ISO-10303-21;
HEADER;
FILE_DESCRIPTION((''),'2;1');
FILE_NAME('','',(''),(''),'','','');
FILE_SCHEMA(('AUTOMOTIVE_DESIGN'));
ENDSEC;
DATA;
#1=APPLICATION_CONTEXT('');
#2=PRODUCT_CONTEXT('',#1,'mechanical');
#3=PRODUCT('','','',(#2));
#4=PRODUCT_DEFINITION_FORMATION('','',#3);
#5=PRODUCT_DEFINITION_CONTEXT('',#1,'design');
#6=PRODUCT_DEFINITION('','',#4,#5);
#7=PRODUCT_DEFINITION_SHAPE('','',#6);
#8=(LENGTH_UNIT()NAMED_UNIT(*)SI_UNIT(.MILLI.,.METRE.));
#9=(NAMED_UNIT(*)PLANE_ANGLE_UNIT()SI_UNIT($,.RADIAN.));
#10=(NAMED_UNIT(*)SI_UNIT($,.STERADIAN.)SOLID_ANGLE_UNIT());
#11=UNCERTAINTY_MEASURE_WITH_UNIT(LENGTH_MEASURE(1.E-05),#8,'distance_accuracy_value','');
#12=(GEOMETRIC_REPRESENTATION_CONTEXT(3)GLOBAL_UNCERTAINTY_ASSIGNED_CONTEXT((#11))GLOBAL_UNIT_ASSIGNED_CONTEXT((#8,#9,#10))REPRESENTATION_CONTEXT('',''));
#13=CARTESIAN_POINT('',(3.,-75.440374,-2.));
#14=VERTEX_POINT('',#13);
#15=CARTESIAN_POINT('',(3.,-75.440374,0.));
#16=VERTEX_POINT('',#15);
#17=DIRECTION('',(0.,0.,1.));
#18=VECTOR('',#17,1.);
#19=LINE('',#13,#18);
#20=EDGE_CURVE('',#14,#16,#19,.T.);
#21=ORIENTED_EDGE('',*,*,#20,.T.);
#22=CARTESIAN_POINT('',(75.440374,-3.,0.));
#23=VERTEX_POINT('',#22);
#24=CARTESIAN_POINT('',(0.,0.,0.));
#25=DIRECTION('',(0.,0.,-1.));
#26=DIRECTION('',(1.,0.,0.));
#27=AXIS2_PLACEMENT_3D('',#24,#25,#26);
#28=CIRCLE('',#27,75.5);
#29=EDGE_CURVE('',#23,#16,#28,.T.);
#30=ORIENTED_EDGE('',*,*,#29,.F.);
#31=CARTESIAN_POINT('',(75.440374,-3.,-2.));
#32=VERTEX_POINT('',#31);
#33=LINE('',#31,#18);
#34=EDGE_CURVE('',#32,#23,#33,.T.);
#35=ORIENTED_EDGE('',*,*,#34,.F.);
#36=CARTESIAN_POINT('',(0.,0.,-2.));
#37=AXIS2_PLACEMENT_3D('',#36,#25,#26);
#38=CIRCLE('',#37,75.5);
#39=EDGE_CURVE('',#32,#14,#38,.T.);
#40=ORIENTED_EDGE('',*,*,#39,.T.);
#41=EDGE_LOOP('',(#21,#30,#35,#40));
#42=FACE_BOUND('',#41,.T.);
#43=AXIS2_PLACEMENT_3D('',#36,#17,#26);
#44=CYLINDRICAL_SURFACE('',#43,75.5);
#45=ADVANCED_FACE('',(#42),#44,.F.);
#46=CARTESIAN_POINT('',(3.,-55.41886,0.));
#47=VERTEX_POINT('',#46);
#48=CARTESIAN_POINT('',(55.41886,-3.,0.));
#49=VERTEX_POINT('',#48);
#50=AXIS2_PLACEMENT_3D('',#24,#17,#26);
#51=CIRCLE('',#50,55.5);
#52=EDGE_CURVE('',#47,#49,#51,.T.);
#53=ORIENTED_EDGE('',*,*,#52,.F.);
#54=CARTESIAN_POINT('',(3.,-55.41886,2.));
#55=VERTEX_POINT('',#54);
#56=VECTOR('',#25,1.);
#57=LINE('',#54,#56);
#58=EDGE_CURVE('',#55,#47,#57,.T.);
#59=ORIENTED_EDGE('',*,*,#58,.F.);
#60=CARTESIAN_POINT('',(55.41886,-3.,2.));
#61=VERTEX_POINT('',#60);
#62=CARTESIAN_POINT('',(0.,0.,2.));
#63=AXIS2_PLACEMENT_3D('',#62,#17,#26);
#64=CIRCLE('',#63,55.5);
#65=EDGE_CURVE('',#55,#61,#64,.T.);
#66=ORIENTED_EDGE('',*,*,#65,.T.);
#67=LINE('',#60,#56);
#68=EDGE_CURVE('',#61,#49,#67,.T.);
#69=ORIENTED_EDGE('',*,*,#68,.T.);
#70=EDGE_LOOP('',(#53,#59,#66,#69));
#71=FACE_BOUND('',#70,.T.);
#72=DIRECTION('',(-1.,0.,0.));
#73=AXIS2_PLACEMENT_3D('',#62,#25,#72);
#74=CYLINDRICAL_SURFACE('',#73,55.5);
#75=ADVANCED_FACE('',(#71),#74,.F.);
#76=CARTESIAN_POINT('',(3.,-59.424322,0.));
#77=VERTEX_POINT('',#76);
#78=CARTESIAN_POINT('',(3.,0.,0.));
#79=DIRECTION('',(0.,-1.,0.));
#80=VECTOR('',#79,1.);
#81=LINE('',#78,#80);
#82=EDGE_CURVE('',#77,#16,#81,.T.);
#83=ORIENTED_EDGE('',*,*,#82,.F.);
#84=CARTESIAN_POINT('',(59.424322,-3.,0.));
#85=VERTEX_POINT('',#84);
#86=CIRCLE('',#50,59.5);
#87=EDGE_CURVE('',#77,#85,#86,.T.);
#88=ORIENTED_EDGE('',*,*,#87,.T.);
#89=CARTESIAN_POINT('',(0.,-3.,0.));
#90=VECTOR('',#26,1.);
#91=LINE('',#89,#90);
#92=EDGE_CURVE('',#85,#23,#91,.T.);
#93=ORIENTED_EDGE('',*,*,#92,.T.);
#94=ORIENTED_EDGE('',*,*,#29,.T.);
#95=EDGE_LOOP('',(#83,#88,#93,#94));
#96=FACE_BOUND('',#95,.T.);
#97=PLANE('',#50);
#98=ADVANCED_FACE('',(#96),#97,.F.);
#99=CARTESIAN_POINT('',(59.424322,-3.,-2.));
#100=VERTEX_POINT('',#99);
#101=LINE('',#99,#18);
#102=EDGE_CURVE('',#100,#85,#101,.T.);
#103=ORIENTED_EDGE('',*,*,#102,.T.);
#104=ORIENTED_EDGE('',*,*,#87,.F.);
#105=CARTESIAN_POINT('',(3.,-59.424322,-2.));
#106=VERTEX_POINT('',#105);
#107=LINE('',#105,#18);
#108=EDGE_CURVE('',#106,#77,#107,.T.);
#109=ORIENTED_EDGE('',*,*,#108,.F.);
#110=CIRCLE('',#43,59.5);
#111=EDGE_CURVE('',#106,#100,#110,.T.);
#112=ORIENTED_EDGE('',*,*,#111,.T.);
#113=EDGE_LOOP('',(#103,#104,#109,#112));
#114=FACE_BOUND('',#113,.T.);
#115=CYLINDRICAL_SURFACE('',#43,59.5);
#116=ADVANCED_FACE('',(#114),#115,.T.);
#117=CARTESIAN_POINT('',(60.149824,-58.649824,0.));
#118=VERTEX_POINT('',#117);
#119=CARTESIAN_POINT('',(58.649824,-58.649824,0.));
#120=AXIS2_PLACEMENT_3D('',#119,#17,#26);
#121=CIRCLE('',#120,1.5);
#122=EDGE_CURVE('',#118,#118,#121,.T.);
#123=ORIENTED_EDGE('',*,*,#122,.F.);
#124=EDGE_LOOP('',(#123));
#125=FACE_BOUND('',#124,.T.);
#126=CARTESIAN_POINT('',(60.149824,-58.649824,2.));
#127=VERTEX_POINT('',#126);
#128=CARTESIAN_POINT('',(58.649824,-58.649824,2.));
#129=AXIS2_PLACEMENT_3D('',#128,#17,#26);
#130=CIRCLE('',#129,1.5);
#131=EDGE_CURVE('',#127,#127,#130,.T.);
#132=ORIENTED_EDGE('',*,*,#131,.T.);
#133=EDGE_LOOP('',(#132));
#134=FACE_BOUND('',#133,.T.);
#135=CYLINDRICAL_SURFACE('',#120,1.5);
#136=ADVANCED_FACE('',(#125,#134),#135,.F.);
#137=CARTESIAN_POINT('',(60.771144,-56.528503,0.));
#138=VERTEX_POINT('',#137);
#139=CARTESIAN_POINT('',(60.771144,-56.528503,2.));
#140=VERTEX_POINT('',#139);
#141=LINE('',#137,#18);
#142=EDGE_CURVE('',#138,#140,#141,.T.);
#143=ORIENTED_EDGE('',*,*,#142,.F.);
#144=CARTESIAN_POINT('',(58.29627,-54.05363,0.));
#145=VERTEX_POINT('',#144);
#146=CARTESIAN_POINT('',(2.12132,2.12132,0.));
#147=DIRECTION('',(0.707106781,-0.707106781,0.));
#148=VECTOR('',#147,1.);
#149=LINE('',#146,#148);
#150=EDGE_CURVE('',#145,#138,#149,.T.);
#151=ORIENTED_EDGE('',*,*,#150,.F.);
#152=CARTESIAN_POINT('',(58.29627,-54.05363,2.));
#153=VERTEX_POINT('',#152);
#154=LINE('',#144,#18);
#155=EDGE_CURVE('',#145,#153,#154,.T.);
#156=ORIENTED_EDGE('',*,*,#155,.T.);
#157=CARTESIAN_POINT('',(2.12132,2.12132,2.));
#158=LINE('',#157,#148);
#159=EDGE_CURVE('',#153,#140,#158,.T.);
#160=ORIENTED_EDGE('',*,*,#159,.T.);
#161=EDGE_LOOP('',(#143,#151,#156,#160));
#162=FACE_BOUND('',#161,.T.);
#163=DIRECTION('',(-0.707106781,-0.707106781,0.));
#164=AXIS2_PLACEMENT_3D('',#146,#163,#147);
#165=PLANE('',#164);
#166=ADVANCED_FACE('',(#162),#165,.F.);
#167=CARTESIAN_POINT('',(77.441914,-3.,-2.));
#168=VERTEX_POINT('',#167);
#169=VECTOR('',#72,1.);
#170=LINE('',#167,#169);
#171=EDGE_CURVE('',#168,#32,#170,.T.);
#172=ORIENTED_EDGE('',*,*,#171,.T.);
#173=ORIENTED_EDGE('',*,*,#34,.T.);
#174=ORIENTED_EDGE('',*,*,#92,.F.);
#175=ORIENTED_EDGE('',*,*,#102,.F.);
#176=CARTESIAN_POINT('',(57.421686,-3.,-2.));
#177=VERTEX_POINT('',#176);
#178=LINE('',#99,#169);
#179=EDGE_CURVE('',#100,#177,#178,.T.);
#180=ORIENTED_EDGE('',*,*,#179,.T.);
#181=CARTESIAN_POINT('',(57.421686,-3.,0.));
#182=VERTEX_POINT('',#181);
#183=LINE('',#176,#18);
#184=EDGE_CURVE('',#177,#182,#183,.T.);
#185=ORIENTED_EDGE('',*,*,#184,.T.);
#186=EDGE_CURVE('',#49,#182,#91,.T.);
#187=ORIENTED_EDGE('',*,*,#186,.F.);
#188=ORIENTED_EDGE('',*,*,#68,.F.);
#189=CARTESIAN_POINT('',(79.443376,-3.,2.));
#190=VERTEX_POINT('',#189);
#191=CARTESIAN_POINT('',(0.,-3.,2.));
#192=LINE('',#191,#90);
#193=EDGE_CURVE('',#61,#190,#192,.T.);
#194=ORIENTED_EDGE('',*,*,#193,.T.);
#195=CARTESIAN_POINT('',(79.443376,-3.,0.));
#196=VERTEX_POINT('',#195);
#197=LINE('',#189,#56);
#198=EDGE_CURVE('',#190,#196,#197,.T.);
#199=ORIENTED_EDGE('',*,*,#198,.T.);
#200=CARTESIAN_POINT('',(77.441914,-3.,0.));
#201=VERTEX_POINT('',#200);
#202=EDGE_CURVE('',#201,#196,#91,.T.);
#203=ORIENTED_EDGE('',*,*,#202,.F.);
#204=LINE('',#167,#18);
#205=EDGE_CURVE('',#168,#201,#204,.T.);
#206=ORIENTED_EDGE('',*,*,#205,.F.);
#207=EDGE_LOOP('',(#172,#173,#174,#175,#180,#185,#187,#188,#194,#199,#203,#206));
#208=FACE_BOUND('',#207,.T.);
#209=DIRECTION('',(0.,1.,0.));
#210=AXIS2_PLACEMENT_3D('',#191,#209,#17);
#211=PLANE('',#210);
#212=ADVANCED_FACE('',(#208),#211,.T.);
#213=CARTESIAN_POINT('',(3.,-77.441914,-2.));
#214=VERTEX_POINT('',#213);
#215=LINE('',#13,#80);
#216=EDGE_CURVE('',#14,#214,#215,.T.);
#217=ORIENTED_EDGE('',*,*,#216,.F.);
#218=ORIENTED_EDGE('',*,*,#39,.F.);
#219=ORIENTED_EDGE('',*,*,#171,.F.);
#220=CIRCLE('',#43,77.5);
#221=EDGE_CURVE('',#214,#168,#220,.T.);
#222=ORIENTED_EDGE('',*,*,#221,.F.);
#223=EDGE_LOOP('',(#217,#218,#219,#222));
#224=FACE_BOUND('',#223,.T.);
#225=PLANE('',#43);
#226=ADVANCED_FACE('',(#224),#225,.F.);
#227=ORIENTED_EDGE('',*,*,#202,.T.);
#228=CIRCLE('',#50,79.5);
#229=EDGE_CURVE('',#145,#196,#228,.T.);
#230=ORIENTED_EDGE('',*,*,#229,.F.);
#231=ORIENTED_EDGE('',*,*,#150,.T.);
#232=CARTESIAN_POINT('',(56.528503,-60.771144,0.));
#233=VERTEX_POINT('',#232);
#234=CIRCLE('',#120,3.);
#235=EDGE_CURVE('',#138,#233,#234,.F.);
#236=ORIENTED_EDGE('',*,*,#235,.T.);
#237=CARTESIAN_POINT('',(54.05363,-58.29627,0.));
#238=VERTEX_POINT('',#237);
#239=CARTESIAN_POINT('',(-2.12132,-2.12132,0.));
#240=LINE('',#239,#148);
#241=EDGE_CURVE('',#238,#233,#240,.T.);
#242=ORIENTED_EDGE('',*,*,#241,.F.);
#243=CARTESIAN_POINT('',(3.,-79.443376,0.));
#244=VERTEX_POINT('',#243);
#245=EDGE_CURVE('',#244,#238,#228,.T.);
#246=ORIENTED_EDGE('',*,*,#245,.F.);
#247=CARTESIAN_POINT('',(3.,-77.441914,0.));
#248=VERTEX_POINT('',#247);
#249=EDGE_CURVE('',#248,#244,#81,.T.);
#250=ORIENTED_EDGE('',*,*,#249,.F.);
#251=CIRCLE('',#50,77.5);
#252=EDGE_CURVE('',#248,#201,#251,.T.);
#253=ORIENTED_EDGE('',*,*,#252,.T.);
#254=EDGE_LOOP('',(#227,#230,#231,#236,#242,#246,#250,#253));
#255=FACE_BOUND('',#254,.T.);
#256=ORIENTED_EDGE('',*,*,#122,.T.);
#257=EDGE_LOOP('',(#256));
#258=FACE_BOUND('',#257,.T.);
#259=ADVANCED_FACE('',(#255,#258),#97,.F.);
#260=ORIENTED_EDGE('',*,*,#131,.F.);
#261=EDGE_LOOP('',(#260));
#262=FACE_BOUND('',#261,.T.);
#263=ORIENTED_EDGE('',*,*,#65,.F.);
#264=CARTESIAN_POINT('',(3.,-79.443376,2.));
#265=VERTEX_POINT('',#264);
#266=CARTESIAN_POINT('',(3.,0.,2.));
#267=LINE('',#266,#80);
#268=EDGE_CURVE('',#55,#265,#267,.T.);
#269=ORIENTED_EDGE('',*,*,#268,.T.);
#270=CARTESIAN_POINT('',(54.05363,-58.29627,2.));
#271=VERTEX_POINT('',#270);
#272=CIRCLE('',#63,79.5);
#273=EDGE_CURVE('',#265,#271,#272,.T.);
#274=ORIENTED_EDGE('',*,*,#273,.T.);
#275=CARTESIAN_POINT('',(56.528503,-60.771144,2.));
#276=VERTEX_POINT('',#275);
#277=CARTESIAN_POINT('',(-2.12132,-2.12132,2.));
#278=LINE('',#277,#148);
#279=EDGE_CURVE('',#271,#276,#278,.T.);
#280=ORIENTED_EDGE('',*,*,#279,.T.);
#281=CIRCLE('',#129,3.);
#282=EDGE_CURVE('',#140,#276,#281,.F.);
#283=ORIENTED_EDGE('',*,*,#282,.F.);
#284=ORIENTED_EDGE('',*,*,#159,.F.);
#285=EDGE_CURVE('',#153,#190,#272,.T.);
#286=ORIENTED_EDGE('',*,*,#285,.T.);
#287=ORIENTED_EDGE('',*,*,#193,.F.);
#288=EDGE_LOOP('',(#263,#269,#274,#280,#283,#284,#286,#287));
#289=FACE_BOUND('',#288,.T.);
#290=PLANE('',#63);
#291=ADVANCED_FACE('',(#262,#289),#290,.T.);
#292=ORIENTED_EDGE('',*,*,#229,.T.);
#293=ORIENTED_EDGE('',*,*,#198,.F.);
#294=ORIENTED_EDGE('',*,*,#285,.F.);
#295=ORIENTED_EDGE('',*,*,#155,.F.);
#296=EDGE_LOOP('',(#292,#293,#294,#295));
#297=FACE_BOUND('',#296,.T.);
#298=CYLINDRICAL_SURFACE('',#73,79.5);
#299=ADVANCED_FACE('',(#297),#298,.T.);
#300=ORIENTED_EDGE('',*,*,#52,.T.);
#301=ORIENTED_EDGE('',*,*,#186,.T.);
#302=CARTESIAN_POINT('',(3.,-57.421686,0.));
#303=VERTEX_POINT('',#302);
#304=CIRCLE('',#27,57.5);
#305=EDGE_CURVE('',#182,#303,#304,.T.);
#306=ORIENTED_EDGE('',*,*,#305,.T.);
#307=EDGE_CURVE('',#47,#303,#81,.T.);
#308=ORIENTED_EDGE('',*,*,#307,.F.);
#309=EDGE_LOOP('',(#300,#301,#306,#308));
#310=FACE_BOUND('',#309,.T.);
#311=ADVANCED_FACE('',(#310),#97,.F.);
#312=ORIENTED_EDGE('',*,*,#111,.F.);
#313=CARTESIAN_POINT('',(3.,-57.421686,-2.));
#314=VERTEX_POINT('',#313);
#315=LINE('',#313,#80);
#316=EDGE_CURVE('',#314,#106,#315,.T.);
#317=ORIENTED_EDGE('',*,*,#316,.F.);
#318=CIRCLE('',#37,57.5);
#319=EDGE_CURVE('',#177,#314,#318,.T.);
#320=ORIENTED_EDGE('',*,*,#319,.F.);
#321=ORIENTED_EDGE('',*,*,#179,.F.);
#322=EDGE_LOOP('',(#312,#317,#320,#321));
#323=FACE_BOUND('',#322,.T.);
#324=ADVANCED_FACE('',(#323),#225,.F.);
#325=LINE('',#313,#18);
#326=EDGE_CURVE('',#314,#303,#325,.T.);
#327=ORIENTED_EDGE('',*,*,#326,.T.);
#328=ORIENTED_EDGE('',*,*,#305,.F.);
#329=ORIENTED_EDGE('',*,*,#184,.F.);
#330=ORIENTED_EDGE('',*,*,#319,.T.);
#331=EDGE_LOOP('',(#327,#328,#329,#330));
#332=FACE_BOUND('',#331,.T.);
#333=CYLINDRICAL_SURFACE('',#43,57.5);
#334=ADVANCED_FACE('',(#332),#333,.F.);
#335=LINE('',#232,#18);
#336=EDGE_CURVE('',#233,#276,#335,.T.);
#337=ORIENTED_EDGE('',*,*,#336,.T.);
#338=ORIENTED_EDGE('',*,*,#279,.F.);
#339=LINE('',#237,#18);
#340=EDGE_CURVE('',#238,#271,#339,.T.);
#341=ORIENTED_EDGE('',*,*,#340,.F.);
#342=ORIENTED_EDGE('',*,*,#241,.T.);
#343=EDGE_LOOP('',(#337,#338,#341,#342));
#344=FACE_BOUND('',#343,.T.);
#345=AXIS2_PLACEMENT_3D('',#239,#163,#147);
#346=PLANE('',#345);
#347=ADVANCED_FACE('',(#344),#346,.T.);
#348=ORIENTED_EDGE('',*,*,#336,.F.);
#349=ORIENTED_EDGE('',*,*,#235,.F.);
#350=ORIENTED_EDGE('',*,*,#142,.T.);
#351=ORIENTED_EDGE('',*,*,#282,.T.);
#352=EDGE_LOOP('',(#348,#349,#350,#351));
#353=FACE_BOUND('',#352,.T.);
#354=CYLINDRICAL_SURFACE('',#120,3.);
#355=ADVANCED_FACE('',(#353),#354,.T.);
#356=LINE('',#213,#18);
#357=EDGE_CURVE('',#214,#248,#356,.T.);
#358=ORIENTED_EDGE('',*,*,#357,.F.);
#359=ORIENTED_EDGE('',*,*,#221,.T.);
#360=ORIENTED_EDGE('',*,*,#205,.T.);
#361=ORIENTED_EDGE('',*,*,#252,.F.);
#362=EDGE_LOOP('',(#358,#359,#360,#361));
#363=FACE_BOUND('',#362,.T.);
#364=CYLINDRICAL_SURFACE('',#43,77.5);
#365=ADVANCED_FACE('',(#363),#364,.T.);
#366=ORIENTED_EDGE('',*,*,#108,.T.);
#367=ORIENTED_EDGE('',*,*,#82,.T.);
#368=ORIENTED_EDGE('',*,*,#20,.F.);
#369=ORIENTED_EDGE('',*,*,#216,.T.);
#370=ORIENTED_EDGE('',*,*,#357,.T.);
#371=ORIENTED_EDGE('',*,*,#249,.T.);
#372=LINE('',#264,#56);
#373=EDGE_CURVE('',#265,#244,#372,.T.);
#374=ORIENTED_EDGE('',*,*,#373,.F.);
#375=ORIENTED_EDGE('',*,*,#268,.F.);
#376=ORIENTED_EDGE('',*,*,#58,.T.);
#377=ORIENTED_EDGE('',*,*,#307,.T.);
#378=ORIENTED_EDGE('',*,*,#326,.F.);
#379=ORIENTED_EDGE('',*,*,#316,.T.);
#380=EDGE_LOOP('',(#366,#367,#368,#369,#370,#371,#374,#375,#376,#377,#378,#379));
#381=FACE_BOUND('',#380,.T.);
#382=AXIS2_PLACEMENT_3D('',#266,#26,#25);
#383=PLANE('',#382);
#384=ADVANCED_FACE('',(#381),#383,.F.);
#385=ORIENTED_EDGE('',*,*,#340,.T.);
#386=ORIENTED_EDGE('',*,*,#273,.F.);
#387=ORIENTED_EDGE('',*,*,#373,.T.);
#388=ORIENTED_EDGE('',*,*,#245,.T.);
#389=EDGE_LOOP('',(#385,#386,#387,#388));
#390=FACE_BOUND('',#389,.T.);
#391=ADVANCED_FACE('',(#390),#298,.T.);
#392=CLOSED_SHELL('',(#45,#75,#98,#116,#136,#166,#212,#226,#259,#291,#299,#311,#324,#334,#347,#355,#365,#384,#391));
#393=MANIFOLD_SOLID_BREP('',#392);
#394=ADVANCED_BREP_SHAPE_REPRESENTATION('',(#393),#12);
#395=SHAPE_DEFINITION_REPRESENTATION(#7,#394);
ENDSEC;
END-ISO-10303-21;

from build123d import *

# Parameters (mm, degrees)
EXTRUDE_1_DEPTH = 2
EXTRUDE_2_DEPTH = 2
EXTRUDE_START   = -2
SKETCH_4_R      = 1.5
EXTRUDE_3_DEPTH = 2


with BuildPart() as part:
    # 草图2 → 凸台-拉伸1 (new body)
    with BuildSketch(Plane.XY):
        with BuildLine():
            Line((3, -77.441913716), (3, -79.443376061))
            ThreePointArc((3, -79.443376061), (56.214989104, -56.214989104), (79.443376061, -3))
            Line((79.443376061, -3), (77.441913716, -3))
            Line((77.441913716, -3), (55.418859606, -3))
            ThreePointArc((55.418859606, -3), (39.244426356, -39.244426356), (3, -55.418859606))
            Line((3, -55.418859606), (3, -77.441913716))
        make_face()
    extrude(amount=EXTRUDE_1_DEPTH)

    # 草图3 → 凸台-拉伸2 (add)
    with BuildSketch(Plane.XY):
        with BuildLine():
            Line((3, -57.421685799), (3, -59.42432162))
            ThreePointArc((3, -59.42432162), (42.072853481, -42.072853481), (59.42432162, -3))
            Line((59.42432162, -3), (57.421685799, -3))
            ThreePointArc((57.421685799, -3), (40.658639918, -40.658639918), (3, -57.421685799))
        make_face()
        with BuildLine():
            Line((77.441913716, -3), (75.440373806, -3))
            ThreePointArc((75.440373806, -3), (53.38656198, -53.38656198), (3, -75.440373806))
            Line((3, -75.440373806), (3, -77.441913716))
            ThreePointArc((3, -77.441913716), (54.800775542, -54.800775542), (77.441913716, -3))
        make_face()
    extrude(amount=-EXTRUDE_2_DEPTH)

    # 草图4 → 凸台-拉伸3 (add)
    with BuildSketch(Plane.XY.offset(2).offset(EXTRUDE_START)):
        with BuildLine():
            ThreePointArc((58.296270277, -54.05362959), (56.214989104, -56.214989104), (54.05362959, -58.296270277))
            Line((54.05362959, -58.296270277), (56.528503324, -60.771144011))
            ThreePointArc((56.528503324, -60.771144011), (60.771144011, -60.771144011), (60.771144011, -56.528503324))
            Line((60.771144011, -56.528503324), (58.296270277, -54.05362959))
        make_face()
        with Locations((58.649823667, -58.649823667)):
            Circle(SKETCH_4_R, mode=Mode.SUBTRACT)
    extrude(amount=EXTRUDE_3_DEPTH)


solid = part.part
